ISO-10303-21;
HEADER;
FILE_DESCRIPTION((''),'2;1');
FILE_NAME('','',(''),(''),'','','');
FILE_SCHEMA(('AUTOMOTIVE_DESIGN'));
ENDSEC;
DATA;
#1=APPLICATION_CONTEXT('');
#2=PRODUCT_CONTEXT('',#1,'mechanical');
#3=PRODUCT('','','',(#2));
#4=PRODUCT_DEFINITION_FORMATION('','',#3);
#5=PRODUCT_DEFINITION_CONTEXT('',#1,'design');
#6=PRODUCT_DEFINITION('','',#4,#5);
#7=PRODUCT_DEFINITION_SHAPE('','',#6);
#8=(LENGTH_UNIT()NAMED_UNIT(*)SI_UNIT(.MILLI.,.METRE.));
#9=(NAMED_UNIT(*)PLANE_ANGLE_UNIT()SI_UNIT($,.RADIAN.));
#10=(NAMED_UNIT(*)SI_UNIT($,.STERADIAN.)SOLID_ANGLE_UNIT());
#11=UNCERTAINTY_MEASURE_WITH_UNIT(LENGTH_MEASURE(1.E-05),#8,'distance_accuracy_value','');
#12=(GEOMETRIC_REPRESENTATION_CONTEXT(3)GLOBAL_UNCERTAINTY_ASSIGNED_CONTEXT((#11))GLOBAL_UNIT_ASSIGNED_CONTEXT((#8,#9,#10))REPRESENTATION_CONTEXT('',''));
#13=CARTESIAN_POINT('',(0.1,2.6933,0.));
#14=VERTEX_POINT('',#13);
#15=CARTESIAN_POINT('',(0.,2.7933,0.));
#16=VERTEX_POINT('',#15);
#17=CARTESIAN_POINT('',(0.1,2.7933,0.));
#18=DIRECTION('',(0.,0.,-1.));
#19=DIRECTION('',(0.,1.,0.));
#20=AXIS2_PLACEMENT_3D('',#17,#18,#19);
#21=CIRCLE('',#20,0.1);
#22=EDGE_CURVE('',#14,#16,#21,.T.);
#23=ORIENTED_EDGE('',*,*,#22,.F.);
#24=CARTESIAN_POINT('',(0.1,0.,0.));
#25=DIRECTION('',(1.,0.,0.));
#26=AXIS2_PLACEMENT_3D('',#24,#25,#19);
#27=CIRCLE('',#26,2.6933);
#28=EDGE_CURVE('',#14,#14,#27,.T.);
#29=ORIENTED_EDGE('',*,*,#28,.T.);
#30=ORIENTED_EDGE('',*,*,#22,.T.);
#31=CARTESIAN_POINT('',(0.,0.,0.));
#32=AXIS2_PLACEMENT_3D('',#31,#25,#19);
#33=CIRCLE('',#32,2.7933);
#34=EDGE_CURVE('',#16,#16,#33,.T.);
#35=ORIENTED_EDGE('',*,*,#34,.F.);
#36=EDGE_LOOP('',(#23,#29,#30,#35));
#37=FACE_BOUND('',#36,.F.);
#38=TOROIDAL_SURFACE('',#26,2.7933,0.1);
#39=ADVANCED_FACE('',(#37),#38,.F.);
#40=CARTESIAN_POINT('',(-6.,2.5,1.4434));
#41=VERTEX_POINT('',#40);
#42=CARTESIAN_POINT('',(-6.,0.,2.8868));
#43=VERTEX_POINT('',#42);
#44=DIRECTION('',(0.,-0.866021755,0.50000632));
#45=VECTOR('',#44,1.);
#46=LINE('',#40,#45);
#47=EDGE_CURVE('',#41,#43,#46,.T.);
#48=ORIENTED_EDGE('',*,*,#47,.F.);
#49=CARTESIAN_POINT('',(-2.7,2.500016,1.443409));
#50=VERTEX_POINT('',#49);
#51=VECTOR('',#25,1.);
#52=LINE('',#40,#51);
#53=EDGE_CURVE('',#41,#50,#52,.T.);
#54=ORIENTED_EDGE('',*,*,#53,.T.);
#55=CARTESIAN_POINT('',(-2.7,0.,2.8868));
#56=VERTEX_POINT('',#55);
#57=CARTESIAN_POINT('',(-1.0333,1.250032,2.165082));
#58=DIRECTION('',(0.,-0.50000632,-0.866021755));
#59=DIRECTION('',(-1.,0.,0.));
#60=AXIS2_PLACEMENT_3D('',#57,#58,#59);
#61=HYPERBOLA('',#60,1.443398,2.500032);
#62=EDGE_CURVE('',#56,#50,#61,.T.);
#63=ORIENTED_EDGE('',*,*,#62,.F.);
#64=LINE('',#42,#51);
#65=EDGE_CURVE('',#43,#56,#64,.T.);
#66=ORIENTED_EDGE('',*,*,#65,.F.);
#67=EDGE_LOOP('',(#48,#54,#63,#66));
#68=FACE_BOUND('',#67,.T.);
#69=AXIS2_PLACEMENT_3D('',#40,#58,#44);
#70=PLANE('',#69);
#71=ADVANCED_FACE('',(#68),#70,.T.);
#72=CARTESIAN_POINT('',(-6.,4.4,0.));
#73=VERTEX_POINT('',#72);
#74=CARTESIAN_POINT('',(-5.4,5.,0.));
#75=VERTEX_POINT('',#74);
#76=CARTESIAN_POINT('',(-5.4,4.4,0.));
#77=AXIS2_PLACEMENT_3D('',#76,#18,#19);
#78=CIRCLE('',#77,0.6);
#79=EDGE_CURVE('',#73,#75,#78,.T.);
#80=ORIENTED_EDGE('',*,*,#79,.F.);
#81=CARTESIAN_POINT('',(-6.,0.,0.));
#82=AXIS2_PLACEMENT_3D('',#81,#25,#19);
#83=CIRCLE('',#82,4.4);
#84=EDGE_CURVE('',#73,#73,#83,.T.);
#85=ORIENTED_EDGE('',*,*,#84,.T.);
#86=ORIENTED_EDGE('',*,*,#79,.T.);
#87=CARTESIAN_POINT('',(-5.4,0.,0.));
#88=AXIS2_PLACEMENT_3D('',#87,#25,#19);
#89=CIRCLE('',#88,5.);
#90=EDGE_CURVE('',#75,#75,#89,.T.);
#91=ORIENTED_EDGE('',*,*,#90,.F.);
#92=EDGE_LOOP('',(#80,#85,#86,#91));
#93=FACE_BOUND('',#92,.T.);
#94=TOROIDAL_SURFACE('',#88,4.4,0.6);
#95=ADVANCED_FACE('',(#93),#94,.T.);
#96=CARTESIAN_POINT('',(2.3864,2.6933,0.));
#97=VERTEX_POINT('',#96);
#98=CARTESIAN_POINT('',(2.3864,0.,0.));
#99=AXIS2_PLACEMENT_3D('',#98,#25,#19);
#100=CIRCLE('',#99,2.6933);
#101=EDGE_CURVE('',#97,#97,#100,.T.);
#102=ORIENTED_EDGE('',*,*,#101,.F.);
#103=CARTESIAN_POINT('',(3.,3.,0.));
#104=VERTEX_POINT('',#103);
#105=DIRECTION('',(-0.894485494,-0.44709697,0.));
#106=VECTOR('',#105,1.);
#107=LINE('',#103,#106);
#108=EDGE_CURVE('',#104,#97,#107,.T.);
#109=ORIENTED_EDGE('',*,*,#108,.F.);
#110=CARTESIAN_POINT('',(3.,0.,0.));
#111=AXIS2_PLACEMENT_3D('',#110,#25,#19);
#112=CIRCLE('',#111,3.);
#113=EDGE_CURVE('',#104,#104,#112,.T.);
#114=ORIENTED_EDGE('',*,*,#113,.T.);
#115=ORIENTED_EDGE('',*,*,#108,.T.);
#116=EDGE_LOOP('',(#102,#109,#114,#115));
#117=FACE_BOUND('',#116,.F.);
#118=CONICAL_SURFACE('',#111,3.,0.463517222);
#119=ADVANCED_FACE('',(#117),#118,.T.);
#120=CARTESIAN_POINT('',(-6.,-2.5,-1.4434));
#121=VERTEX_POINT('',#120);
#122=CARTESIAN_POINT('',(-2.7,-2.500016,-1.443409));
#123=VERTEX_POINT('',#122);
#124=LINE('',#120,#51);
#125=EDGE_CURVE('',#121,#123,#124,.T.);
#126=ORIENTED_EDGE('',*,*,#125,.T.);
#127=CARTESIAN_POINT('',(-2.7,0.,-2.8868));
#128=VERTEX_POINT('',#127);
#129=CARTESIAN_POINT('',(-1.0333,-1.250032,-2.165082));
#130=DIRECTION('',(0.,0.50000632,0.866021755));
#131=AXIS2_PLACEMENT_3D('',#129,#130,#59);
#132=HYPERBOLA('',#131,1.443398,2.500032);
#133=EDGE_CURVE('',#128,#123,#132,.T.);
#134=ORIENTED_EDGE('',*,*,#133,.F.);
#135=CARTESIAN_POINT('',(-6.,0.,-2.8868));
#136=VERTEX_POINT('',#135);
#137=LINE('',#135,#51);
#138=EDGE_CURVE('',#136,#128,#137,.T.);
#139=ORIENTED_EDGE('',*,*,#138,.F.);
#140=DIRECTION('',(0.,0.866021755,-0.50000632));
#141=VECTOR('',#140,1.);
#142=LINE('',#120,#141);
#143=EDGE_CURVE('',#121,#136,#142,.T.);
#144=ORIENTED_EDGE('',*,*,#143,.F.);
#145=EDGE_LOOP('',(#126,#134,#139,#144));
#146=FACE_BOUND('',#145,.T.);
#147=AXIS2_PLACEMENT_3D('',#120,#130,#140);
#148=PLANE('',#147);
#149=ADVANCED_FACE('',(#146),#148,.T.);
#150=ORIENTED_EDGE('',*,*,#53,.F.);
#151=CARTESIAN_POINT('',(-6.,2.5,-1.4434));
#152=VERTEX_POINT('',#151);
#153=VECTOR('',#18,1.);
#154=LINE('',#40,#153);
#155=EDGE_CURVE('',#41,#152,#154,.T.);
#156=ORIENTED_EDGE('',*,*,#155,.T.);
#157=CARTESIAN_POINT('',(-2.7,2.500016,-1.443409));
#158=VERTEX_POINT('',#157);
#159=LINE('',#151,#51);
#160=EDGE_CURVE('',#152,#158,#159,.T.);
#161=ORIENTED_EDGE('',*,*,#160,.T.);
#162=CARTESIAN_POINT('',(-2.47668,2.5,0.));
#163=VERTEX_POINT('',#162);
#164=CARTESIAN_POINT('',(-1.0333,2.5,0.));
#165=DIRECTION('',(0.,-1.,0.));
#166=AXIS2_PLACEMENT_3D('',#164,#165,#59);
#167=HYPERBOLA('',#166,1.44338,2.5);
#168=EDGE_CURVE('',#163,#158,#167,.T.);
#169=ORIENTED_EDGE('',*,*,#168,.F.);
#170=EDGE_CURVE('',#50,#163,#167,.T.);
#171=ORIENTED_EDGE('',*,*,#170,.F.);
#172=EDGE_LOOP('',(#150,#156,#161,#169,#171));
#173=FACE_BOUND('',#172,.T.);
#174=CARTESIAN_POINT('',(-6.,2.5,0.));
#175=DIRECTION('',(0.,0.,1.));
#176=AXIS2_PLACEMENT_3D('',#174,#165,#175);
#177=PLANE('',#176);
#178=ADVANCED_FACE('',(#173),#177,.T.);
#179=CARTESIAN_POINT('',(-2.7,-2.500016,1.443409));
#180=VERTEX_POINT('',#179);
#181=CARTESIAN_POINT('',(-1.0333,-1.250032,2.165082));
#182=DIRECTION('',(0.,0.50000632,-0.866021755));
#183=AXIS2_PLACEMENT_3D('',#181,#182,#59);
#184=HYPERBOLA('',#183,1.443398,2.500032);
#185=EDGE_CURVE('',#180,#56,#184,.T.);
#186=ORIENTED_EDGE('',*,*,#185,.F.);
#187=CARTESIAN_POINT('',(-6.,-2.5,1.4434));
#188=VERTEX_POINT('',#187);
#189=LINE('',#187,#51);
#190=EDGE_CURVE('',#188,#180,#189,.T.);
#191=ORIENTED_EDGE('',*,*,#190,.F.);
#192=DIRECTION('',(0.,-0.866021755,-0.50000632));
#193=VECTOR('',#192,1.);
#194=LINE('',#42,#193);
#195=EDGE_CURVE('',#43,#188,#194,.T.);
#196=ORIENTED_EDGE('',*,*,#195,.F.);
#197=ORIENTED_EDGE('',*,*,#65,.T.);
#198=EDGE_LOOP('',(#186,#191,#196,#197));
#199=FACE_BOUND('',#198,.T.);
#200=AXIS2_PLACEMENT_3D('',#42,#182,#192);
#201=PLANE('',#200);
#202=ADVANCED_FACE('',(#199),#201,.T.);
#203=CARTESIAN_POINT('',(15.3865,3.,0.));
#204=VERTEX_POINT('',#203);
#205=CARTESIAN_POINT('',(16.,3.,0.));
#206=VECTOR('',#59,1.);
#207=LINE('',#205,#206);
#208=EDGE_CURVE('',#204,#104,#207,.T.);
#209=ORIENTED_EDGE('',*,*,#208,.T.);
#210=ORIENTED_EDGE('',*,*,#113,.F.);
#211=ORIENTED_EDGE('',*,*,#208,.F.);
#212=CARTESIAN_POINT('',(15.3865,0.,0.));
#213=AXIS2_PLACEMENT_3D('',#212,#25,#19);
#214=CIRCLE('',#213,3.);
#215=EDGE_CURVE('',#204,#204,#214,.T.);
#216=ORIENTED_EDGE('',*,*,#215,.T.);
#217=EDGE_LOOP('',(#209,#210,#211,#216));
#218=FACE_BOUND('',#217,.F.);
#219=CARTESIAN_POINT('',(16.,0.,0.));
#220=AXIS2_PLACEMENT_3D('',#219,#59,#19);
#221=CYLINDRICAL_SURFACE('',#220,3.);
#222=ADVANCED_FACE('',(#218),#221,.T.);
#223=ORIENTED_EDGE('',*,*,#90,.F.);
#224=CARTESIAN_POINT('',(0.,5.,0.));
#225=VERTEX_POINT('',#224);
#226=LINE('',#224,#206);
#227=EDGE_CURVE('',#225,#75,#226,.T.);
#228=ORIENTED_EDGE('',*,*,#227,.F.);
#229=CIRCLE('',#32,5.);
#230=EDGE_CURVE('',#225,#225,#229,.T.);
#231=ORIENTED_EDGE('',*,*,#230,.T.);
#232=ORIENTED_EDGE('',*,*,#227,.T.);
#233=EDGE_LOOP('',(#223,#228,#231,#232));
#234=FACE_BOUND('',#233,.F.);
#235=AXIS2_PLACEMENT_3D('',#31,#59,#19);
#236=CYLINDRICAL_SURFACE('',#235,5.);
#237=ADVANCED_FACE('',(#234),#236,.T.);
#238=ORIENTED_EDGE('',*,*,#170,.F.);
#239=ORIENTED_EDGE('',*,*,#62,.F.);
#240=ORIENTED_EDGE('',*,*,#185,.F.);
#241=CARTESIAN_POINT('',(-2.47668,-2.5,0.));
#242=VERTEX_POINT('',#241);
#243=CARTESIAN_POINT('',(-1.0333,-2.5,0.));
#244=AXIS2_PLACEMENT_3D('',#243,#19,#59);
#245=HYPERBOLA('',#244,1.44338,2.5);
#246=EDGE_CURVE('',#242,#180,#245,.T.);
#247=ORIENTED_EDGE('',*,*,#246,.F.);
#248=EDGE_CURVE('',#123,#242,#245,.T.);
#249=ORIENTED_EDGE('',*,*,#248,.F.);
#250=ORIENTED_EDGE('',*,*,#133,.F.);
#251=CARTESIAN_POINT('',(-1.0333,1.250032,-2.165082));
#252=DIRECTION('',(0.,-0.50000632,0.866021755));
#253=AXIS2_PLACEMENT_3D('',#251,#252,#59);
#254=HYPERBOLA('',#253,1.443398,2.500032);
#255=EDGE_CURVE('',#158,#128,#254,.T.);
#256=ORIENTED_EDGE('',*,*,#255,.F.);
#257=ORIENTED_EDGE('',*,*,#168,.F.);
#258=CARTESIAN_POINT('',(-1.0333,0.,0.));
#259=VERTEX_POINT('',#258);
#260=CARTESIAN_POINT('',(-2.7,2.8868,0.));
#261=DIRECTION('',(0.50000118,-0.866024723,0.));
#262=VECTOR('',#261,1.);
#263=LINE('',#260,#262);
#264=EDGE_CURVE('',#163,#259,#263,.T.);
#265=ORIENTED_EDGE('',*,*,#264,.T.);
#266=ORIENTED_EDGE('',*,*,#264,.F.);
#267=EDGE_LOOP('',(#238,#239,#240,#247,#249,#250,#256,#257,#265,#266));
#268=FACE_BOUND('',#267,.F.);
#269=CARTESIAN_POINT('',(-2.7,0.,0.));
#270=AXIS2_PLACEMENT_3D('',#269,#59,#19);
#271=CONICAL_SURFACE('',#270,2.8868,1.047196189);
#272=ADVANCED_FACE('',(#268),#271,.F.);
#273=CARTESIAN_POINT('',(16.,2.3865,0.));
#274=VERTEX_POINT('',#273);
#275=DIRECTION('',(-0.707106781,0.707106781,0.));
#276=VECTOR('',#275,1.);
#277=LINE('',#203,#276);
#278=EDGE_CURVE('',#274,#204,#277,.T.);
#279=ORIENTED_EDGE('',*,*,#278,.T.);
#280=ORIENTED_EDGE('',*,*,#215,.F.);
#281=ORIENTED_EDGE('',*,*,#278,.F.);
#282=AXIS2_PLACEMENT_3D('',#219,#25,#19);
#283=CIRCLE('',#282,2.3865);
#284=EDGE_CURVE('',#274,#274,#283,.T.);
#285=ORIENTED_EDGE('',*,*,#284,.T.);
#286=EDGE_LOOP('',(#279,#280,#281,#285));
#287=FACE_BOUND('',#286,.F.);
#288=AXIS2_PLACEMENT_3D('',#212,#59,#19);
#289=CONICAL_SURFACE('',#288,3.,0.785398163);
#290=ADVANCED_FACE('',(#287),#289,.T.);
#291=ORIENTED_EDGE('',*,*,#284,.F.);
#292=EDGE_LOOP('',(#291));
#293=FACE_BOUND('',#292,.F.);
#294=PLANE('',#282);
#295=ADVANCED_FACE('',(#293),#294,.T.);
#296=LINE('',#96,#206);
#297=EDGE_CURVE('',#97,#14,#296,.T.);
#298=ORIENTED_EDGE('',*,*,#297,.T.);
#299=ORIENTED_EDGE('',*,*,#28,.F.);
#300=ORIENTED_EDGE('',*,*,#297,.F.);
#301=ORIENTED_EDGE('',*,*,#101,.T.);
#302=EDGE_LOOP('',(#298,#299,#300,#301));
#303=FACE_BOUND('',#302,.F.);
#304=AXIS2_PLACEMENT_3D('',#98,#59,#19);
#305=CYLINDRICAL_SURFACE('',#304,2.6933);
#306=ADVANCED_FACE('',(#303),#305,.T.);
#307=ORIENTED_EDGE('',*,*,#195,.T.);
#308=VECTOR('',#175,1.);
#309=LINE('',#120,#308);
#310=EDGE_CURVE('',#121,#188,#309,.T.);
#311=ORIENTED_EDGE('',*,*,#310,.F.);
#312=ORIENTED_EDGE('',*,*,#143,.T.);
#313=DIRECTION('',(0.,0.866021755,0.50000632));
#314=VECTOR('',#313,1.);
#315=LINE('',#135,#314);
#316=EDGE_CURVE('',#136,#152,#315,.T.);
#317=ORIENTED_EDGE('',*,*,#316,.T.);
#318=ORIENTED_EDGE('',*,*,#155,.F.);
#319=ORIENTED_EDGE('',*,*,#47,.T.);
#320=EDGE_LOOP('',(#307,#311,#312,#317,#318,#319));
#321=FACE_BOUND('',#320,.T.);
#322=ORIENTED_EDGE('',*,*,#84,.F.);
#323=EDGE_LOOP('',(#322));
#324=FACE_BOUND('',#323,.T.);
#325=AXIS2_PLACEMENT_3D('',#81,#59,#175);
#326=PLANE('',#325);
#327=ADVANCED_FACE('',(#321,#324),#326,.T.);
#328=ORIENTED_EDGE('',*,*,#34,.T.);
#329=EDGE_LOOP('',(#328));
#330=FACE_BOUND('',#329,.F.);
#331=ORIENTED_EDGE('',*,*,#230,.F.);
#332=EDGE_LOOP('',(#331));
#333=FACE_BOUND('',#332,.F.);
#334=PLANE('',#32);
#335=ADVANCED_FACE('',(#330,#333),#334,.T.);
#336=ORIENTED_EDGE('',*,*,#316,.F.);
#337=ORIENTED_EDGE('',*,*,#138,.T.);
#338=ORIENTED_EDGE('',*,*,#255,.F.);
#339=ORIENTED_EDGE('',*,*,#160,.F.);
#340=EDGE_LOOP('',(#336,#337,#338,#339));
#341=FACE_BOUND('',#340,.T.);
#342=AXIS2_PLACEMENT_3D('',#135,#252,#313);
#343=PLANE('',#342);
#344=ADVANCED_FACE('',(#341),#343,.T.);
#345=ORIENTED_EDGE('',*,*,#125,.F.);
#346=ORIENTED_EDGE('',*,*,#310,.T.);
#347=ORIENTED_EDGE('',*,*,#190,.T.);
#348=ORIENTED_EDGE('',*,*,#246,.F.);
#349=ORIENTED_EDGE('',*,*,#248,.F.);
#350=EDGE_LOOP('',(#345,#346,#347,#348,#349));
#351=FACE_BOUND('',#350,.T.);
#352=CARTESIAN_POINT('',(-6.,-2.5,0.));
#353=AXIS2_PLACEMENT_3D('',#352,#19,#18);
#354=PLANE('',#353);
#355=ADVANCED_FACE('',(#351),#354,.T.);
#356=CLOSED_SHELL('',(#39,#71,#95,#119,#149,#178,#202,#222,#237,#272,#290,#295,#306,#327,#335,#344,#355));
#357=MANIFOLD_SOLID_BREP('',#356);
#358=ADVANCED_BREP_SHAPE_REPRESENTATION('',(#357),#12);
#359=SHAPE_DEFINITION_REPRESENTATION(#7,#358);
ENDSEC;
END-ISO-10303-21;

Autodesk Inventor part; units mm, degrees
ref_plane "YZ Plane" through (0, 0, 0) normal (1, 0, 0) x (0, 1, 0)
ref_plane "XZ Plane" through (0, 0, 0) normal (0, 1, 0) x (-1, 0, 0)
sketch "Sketch1" plane through (0, 0, 0) normal (0, 0, 1) x (1, 0, 0)
  line L0 (-1.0333, 0) -> (16, 0)
  line L1 (16, 0) -> (16, 3)
  line L2 (16, 3) -> (3, 3)
  line L3 (3, 3) -> (2.3864, 2.6933)
  line L4 (2.3864, 2.6933) -> (0, 2.6933)
  line L5 (0, 2.6933) -> (0, 5)
  line L6 (0, 5) -> (-6, 5)
  line L7 (-6, 5) -> (-6, 2.8868)
  line L8 (-6, 2.8868) -> (-2.7, 2.8868)
  line L9 (-2.7, 2.8868) -> (-1.0333, 0)
  line L10 (-10.4, 0) -> (20.4, 0) projected
  line L11 (0, -1) -> (0, 6) projected
  line L12 (3, 3) -> (0, 3) construction
  dimension "d1" = 13
  dimension "d2" = 0.6136
  dimension "d3" = 6
  dimension "d4" = 3.3
  dimension "d5" = 60
  dimension "d6" = 6
  dimension "d7" = 5.3865
  dimension "d8" = 5.7735
  dimension "d9" = 10
  dimension "d26" = 16
revolve "Body" add sketch "Sketch1" angle 360 about axis through (-1.0333, 0, 0) along (1, 0, 0)
sketch "Sketch2" plane through (-6, 0, 0) normal (-1, 0, 0) x (0, 0, 1)
  circle A0 centre (0, 0) radius 2.8868 projected
  line L0 (0, -7) -> (0, 7) projected
  line L1 (-7, 0) -> (7, 0) projected
  line L2 (2.8868, 0) -> (1.4434, -2.5)
  line L3 (1.4434, -2.5) -> (-1.4434, -2.5)
  line L4 (-1.4434, -2.5) -> (-2.8868, 0)
  line L5 (-2.8868, 0) -> (-1.4434, 2.5)
  line L6 (-1.4434, 2.5) -> (1.4434, 2.5)
  line L7 (1.4434, 2.5) -> (2.8868, 0)
extrude "Slot" add sketch "Sketch2" against normal up to next contours L7 A0 | A0 L2 | L6 L0 A0 | A0 L0 L3 | L0 L6 A0 | A0 L3 L0 | L4 A0 | A0 L5
fillet "Fillet1" radius 0.6 1 edges at (-6, -5, 0)
thread "Thread" size "M6x1" class "6g" standard "ISO Metric profile" length 13
chamfer "Chamfer1" distance 0.6135 distance2 0.6135 1 edges at (16, -3, 0) measured on face at (16, -1.1424, 0.935)
ref_plane "Work Plane1" through (29, 0, 0) normal (0, -1, 0) x (1, 0, 0)
fillet "Fillet2" radius 0.1 1 edges at (0, -2.6933, 0)
equation "\"d1\" = GEL"
equation "\"d3\" = KOH"
equation "\"d4\" = INTI"
equation "\"d6\" = GD"
equation "\"d7\" = BDM"
equation "\"d8\" = 1.1547 * SW"
equation "\"d9\" = KOD"
equation "\"d26\" = NLG"
equation "\"d30\" = R"
equation "\"d17\" = RR"
equation "\"d13\" = GEL"
equation "\"d15\" = -0.5 * SPD + 0.5 * GD"
equation "\"d16\" = GUL"
equation "\"GD\" = NND"
equation "\"NLG\" = 16"
equation "\"GEL\" = 13"
equation "\"KOD\" = 10"
equation "\"KOH\" = NND"
equation "\"INTI\" = 3.3"
equation "\"GAL\" = 0.61345 * PTC"
equation "\"GUL\" = 0.61345 * PTC"
equation "\"BDM\" = 5.3865"
equation "\"SW\" = 5"
equation "\"RR\" = 0.6"
equation "\"SPD\" = NND - 1.2269 * PTC"
equation "\"R\" = 0.1"
equation "\"PHH\" = 0.5"
equation "\"GD1\" = THREADDIA - 1.2269 * PTC"
equation "\"THREADDIA\" = 6"
equation "\"FAWI\" = 45deg"
equation "\"PTC\" = 1"
equation "\"NND\" = 6"
equation "\"TOA\" = 30deg"
equation "\"E0\" = 1.155 * SW"
properties part number "CSN 02 1143 - M6 x 16" material "Steel, Mild"
